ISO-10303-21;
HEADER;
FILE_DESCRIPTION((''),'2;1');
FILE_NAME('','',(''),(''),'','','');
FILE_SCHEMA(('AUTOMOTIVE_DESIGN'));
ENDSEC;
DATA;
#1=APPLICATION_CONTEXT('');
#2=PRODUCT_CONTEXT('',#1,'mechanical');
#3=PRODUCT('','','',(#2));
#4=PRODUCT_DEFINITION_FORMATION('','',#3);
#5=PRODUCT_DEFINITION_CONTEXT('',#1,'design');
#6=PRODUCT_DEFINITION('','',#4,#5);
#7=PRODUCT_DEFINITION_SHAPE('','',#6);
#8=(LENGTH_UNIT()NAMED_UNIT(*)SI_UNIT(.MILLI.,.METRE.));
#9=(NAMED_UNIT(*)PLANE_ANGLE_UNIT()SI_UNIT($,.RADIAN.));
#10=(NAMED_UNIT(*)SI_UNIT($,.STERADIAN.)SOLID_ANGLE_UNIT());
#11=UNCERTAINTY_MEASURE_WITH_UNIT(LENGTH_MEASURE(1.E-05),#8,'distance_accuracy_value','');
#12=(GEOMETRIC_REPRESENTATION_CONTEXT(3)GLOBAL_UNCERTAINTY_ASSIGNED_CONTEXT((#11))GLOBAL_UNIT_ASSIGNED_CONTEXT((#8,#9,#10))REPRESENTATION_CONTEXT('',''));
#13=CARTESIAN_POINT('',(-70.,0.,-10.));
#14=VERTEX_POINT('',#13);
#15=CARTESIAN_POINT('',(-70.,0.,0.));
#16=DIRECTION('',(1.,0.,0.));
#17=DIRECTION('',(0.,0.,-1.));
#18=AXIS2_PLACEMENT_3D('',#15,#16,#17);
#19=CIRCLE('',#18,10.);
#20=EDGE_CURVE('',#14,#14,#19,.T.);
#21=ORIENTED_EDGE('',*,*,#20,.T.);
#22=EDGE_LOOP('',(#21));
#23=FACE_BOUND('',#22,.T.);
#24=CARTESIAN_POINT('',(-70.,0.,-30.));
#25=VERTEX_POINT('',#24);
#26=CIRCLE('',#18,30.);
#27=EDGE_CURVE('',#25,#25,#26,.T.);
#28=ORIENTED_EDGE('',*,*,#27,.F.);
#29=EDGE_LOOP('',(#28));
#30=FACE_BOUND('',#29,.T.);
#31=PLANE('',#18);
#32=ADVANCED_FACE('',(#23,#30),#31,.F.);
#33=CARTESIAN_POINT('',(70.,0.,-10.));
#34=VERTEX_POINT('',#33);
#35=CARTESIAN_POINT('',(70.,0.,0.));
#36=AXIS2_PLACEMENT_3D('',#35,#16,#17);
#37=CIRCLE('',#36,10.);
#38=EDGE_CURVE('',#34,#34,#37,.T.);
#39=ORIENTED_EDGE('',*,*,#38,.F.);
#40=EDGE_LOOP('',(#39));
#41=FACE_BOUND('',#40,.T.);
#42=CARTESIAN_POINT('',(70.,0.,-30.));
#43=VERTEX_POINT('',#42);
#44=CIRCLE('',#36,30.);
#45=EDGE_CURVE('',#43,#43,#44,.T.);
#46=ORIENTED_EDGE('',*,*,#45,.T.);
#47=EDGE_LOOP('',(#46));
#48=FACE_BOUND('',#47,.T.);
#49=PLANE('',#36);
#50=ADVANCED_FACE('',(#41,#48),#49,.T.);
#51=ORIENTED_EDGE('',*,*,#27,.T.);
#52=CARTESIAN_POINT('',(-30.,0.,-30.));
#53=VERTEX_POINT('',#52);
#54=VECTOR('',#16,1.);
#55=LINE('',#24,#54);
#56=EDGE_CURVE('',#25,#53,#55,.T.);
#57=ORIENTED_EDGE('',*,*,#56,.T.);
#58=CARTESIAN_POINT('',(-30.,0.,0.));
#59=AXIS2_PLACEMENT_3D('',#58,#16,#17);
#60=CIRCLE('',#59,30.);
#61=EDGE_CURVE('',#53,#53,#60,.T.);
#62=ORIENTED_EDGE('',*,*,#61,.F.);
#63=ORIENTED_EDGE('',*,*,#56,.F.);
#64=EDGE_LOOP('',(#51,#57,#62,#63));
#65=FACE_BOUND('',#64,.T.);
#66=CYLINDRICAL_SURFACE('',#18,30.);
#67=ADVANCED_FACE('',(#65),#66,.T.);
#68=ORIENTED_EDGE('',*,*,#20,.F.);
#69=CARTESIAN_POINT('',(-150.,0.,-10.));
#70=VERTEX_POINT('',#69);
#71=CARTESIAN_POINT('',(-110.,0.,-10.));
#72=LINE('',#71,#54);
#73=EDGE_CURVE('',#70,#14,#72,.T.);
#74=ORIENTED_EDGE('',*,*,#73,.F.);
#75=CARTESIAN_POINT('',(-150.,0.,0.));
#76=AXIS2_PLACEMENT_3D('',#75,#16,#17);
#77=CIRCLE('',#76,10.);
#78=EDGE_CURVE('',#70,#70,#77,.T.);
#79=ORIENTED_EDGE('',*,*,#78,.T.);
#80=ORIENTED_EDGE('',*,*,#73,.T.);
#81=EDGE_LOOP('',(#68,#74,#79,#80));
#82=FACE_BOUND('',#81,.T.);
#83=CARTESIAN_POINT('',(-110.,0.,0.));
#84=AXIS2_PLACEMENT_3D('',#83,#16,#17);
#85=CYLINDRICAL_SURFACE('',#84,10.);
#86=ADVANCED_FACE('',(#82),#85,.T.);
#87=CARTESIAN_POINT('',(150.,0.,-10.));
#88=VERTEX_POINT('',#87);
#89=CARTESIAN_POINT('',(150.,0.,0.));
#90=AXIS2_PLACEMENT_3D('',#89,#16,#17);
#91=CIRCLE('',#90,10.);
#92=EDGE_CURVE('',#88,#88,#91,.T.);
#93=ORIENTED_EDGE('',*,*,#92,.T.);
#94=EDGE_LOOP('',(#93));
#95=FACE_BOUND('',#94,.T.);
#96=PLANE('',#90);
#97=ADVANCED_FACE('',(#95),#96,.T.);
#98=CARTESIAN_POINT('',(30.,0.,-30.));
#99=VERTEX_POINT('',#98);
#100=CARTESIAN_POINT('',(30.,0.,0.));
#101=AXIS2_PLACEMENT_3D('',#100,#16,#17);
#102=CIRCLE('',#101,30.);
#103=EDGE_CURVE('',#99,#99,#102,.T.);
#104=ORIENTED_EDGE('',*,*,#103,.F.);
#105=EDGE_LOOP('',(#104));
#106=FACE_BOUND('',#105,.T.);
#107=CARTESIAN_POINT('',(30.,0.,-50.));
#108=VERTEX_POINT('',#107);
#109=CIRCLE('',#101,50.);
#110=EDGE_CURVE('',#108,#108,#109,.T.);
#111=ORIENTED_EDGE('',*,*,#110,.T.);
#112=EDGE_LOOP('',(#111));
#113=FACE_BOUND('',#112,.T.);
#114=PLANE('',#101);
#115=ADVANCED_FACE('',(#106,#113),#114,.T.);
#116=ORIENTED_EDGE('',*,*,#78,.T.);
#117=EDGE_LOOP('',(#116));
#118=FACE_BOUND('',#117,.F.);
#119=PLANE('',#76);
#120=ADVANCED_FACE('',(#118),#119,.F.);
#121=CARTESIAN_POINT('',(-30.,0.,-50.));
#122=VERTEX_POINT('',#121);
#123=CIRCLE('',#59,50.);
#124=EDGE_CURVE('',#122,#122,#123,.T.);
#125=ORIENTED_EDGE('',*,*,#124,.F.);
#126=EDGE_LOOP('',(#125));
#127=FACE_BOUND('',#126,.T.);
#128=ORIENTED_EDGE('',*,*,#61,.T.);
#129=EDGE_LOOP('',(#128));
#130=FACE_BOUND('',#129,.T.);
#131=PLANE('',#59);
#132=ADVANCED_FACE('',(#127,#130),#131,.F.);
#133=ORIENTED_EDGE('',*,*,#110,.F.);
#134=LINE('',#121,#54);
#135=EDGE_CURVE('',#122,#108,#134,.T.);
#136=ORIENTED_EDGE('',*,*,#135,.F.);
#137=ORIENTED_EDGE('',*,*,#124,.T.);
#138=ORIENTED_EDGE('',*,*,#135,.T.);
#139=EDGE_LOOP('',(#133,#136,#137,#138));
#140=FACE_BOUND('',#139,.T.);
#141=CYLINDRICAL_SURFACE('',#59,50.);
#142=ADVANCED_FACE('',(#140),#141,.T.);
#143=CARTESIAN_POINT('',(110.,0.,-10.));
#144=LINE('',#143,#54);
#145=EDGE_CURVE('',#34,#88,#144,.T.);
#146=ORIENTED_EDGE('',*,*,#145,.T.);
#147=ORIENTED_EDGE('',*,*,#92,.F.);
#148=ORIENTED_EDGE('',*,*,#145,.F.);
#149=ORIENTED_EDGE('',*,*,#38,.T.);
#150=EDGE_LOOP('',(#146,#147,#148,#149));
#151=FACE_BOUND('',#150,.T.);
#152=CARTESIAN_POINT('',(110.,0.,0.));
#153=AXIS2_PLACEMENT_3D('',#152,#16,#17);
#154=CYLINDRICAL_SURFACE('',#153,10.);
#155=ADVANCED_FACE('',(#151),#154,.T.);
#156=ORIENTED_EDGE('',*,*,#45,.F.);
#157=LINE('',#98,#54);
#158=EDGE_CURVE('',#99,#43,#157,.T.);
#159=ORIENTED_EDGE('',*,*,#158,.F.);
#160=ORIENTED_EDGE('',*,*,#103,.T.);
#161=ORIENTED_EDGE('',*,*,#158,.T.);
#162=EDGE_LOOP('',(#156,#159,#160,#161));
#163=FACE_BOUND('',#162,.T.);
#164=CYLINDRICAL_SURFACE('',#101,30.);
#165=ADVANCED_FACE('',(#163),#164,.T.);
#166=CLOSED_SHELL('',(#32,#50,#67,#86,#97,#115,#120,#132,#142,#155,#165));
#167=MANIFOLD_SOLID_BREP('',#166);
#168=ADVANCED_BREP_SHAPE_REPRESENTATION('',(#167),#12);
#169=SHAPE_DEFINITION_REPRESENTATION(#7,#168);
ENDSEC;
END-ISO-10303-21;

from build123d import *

# Parameters (mm, degrees)
F0_W = 80
F0_H = 10


with BuildPart() as f1:
    # F0 (on Front) → F1 (revolve)
    with BuildSketch(Plane.XZ):
        with Locations((110, -5)):
            Rectangle(F0_W, F0_H)
        with Locations((-110, -5)):
            Rectangle(F0_W, F0_H)
        Polygon((70, 0), (30, 0), (30, -30), (70, -30), (70, -10), align=None)
        Polygon((-30, 0), (-70, 0), (-70, -10), (-70, -30), (-30, -30), align=None)
        Polygon((0, 0), (-30, 0), (-30, -30), (-30, -50), (0, -50), (30, -50), (30, -30), (30, 0), align=None)
    revolve(axis=Axis((0, 0, 0), (1, 0, 0)))


solid = f1.part
